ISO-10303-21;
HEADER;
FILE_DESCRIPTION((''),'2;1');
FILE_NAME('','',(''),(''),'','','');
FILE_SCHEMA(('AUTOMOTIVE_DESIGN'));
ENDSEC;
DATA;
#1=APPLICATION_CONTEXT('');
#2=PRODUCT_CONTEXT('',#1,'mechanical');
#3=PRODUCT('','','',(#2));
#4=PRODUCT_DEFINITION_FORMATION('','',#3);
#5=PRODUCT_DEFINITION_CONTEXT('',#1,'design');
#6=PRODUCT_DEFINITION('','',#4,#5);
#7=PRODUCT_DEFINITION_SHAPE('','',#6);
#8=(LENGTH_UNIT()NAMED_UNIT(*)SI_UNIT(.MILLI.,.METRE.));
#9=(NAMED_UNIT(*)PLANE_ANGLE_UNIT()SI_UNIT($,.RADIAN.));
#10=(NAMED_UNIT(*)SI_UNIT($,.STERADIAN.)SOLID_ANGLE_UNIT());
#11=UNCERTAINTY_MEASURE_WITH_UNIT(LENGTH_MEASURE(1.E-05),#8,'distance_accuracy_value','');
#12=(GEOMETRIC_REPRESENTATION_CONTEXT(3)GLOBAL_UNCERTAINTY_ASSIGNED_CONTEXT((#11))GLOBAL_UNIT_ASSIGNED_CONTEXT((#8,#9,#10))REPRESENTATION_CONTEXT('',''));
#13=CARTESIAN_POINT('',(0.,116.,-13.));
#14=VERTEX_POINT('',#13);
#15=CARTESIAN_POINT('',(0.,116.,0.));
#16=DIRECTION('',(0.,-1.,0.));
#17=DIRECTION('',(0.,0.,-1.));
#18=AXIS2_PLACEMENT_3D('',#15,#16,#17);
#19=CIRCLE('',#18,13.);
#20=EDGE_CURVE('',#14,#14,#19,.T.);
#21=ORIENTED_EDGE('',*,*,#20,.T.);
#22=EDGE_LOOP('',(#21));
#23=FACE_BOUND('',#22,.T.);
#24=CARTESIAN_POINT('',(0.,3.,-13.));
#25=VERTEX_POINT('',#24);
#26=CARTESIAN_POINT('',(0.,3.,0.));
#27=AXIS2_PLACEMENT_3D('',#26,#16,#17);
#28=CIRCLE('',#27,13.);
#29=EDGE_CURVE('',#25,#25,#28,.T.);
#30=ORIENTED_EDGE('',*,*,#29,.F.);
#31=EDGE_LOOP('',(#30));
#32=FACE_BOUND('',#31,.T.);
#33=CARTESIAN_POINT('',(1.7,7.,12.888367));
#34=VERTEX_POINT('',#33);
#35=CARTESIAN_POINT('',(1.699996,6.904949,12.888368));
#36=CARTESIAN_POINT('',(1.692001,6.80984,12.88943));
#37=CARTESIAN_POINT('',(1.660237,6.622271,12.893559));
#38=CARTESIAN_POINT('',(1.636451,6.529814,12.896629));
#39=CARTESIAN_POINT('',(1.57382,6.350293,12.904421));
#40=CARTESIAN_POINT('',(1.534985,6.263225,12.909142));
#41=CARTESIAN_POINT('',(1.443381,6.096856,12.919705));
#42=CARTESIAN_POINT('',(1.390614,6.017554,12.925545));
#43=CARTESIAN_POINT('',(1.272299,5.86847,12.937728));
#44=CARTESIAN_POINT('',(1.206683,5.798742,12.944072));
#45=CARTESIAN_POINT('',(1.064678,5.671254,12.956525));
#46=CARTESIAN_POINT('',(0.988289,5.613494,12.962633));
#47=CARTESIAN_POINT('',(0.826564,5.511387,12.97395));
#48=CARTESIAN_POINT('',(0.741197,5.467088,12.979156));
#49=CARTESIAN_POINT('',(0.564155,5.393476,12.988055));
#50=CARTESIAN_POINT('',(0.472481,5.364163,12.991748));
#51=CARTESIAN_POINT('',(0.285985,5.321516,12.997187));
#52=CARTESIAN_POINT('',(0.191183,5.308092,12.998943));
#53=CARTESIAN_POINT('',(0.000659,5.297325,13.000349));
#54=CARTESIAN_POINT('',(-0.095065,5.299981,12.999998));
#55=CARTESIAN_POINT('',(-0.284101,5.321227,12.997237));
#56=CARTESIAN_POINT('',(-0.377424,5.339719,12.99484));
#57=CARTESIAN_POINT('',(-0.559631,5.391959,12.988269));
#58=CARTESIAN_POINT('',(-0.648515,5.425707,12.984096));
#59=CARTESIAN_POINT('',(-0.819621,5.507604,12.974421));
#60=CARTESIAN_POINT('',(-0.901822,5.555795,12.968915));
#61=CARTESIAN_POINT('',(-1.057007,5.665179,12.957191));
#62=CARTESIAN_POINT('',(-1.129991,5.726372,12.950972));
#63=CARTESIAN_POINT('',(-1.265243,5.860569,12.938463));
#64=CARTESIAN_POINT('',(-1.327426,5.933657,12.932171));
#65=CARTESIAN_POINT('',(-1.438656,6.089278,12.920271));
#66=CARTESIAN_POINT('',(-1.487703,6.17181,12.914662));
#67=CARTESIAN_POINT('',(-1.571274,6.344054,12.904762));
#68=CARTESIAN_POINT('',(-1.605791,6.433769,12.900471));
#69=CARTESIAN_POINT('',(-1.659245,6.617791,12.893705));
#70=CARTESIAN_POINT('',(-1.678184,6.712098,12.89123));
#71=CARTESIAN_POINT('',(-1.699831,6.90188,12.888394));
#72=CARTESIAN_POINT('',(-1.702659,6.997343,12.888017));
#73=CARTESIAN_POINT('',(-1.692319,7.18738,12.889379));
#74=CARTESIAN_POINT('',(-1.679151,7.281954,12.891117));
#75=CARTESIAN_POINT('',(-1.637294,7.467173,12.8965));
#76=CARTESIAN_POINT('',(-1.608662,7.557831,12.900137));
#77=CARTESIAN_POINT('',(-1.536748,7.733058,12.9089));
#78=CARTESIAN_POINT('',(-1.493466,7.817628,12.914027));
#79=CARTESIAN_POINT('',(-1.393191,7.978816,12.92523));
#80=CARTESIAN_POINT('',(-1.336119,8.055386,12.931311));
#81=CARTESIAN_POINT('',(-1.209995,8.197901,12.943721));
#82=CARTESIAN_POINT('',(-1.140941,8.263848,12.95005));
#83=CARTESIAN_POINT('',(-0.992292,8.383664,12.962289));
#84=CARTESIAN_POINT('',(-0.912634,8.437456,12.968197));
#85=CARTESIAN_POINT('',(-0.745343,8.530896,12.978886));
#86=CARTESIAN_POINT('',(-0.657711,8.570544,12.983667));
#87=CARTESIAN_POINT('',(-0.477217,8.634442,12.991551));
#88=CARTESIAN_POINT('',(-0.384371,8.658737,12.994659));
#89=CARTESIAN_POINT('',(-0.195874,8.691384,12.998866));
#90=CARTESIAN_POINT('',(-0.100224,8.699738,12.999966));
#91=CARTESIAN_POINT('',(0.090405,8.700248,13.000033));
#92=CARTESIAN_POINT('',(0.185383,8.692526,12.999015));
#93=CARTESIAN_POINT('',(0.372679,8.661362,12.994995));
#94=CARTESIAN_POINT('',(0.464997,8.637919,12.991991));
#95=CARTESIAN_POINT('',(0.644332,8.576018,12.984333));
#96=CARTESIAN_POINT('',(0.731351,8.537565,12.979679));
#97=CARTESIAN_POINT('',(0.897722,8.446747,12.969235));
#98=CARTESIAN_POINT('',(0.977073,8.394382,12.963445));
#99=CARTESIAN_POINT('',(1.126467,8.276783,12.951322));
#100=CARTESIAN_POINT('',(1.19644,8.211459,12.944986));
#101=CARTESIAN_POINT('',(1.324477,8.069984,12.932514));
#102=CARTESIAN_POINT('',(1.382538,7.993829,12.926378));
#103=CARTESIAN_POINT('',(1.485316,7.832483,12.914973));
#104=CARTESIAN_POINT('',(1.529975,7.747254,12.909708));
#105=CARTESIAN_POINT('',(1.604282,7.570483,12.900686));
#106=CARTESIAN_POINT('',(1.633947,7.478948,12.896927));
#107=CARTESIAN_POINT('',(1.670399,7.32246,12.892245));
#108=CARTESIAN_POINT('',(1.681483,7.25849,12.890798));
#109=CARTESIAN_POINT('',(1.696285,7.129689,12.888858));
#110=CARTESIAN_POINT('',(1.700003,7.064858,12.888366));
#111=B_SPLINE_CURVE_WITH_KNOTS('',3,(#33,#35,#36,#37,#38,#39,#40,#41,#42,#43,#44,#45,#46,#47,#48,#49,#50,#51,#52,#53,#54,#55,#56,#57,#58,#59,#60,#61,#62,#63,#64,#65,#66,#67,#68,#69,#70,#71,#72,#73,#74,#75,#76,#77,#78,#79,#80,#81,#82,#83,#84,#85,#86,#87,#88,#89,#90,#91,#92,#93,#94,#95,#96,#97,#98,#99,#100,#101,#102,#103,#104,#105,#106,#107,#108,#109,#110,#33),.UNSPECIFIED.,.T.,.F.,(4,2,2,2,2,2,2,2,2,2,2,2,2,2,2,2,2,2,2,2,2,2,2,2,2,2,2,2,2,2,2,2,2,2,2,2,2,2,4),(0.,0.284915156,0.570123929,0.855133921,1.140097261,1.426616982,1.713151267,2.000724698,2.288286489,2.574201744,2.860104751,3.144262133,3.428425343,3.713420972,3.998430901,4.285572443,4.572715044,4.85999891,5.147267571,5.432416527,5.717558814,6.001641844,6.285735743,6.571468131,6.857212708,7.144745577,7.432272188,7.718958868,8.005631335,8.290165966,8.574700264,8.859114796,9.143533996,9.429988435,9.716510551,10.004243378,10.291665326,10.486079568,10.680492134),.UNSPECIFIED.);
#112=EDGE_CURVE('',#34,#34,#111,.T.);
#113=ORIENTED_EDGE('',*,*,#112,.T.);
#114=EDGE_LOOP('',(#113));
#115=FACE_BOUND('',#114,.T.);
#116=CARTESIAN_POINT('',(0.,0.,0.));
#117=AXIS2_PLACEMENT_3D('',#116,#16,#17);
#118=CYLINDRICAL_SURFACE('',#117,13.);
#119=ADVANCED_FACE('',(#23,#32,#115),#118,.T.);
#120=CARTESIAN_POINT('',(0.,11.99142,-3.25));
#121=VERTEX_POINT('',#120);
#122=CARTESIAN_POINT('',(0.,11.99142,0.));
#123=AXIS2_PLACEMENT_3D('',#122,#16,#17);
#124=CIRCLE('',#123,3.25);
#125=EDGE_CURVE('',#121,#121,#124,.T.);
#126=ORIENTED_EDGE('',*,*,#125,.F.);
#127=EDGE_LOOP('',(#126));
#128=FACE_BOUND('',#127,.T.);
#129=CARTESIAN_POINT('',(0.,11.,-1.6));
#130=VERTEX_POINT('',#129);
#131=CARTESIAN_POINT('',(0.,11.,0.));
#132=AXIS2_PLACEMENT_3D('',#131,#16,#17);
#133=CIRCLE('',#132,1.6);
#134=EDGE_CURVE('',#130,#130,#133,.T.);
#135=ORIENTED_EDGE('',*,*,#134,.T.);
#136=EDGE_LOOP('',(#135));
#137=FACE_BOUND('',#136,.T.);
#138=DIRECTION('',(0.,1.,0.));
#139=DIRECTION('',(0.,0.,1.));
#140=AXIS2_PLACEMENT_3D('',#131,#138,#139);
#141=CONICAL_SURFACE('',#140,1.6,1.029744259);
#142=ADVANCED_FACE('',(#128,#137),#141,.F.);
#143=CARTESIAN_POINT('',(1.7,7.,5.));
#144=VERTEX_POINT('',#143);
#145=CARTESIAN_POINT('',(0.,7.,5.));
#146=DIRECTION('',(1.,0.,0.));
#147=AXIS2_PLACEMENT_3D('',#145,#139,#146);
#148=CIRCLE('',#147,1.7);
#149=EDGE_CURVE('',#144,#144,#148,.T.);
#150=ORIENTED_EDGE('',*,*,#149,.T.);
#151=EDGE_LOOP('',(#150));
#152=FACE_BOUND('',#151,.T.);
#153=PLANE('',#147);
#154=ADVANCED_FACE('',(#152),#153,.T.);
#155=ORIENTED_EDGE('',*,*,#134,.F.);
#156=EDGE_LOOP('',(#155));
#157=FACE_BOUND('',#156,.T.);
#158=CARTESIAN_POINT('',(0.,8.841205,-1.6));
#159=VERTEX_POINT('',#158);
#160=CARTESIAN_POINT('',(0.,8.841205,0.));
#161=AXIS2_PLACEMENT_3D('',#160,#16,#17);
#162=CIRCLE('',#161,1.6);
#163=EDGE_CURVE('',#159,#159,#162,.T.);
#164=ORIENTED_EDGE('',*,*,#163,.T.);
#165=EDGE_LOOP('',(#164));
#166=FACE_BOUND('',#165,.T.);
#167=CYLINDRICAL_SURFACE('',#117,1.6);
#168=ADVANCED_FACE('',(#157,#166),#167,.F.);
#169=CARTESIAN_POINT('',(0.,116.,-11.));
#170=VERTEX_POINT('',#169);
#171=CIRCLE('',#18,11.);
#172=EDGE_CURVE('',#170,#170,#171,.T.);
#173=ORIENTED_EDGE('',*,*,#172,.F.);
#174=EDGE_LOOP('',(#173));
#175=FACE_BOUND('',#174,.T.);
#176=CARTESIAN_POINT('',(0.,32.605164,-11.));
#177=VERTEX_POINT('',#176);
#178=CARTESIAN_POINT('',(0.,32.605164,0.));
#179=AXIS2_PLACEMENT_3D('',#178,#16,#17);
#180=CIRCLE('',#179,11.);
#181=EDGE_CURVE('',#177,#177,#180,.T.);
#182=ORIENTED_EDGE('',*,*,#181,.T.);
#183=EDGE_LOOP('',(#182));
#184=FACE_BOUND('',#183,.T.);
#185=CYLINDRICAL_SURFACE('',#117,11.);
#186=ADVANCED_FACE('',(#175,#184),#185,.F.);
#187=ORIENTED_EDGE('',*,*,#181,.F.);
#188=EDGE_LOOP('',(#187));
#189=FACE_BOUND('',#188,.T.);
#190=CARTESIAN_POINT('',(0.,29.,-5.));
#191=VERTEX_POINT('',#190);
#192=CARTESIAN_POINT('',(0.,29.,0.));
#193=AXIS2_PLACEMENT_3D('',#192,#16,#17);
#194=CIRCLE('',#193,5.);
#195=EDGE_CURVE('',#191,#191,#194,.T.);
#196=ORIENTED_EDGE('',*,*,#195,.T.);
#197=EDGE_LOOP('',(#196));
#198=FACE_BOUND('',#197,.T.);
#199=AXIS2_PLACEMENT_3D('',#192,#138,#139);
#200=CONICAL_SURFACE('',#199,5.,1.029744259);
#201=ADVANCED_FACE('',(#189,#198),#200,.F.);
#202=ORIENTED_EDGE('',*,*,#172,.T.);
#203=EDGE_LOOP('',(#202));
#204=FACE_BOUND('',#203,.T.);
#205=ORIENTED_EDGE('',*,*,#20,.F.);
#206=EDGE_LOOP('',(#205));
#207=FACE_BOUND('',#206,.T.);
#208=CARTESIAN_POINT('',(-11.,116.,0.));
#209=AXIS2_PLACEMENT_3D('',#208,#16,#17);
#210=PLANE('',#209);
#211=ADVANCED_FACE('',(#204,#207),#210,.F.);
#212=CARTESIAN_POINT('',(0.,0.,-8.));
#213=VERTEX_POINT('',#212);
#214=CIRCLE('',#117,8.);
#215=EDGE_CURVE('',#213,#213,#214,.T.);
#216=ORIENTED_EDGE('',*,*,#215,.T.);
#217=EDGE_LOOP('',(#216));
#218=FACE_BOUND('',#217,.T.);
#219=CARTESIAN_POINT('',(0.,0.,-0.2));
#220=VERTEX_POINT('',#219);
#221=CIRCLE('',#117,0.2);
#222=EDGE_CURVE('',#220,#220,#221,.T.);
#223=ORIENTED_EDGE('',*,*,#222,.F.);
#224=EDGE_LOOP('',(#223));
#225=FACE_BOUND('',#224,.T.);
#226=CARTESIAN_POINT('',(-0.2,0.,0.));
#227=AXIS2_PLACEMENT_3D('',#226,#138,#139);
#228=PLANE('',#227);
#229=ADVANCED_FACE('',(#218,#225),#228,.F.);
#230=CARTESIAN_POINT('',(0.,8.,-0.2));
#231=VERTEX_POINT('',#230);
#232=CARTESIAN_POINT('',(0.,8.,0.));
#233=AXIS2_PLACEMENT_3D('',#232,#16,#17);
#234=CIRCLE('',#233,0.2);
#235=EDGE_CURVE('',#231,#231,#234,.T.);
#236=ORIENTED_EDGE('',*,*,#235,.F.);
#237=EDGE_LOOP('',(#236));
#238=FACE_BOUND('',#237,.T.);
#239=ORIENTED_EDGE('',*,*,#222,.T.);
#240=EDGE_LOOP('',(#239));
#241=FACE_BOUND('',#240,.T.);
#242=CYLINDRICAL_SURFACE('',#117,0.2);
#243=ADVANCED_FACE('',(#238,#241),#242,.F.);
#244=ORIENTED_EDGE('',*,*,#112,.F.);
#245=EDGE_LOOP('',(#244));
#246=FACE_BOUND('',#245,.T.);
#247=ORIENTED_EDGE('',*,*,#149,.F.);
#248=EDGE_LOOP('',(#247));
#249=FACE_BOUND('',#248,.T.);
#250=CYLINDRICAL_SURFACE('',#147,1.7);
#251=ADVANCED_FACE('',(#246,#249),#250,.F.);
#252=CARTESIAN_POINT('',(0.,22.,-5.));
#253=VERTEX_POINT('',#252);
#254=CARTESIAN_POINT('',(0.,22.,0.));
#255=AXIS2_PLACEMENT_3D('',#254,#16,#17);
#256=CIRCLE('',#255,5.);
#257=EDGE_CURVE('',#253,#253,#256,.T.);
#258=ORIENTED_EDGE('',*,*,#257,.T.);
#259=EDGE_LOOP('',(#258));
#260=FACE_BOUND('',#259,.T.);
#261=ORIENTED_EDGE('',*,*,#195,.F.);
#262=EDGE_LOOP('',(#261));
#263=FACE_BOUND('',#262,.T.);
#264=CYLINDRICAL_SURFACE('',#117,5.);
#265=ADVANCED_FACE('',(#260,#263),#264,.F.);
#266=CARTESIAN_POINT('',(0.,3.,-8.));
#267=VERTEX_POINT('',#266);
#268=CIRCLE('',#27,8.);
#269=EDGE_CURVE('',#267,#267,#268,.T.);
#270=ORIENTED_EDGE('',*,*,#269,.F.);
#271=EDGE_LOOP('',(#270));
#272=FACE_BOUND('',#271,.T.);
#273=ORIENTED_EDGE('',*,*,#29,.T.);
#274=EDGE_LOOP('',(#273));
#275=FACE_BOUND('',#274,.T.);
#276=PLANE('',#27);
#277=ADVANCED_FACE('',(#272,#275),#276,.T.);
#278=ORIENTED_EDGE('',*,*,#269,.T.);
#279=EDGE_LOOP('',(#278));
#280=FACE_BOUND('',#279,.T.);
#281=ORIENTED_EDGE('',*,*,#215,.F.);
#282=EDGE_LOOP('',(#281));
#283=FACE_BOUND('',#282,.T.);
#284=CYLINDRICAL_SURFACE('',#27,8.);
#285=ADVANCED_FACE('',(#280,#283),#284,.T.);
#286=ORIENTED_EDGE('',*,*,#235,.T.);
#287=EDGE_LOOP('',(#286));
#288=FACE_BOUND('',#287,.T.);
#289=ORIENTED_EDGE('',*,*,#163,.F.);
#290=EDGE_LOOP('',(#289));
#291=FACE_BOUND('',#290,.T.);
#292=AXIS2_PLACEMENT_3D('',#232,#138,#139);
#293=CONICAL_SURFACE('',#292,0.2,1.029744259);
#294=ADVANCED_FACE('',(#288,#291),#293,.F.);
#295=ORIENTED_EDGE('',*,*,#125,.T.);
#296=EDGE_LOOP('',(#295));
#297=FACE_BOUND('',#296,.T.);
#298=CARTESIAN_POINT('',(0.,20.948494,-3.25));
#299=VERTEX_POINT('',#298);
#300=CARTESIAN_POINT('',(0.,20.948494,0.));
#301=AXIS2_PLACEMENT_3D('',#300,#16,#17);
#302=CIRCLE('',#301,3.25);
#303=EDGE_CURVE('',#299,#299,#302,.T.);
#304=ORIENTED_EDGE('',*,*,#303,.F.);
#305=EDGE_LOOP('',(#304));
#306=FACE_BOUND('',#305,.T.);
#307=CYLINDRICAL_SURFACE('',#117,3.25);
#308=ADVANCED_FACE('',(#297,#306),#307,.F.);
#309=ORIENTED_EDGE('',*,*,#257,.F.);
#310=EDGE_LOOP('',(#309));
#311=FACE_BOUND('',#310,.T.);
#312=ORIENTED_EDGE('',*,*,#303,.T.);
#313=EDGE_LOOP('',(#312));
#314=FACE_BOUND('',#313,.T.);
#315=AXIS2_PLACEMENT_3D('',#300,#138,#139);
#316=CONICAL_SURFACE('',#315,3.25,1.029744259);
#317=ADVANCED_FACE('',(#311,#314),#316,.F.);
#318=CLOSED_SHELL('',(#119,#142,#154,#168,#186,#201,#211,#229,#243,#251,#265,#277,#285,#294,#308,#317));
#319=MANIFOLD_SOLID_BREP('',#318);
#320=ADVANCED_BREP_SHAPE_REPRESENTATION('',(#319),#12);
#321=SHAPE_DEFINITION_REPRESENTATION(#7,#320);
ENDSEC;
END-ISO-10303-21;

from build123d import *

# Parameters (mm, degrees)
SKETCH7_R          = 13
SKETCH7_R_2        = 8
CUT_EXTRUDE3_DEPTH = 3
SKETCH6_R          = 1.7
CUT_EXTRUDE2_DEPTH = 8


with BuildPart() as part:
    # Sketch1 → Revolve1 (revolve)
    with BuildSketch(Plane.XY):
        Polygon((-0.2, 0), (-0.2, 8), (-1.6, 8.841204867), (-1.6, 11), (-3.25, 11.991420021), (-3.25, 20.948493917), (-5, 22), (-5, 29), (-11, 32.605163714), (-11, 116), (-13, 116), (-13, 0), align=None)
    revolve(axis=Axis((0, 0, 0), (0, 1, 0)))

    # Sketch7 → Cut-Extrude3 (cut)
    with BuildSketch(Plane.XZ):
        Circle(SKETCH7_R)
        Circle(SKETCH7_R_2, mode=Mode.SUBTRACT)
    extrude(amount=-CUT_EXTRUDE3_DEPTH, mode=Mode.SUBTRACT)

    # Sketch6 → Cut-Extrude2 (cut)
    with BuildSketch(Plane.XY.offset(13)):
        with Locations((0, 7)):
            Circle(SKETCH6_R)
    extrude(amount=-CUT_EXTRUDE2_DEPTH, mode=Mode.SUBTRACT)


solid = part.part
